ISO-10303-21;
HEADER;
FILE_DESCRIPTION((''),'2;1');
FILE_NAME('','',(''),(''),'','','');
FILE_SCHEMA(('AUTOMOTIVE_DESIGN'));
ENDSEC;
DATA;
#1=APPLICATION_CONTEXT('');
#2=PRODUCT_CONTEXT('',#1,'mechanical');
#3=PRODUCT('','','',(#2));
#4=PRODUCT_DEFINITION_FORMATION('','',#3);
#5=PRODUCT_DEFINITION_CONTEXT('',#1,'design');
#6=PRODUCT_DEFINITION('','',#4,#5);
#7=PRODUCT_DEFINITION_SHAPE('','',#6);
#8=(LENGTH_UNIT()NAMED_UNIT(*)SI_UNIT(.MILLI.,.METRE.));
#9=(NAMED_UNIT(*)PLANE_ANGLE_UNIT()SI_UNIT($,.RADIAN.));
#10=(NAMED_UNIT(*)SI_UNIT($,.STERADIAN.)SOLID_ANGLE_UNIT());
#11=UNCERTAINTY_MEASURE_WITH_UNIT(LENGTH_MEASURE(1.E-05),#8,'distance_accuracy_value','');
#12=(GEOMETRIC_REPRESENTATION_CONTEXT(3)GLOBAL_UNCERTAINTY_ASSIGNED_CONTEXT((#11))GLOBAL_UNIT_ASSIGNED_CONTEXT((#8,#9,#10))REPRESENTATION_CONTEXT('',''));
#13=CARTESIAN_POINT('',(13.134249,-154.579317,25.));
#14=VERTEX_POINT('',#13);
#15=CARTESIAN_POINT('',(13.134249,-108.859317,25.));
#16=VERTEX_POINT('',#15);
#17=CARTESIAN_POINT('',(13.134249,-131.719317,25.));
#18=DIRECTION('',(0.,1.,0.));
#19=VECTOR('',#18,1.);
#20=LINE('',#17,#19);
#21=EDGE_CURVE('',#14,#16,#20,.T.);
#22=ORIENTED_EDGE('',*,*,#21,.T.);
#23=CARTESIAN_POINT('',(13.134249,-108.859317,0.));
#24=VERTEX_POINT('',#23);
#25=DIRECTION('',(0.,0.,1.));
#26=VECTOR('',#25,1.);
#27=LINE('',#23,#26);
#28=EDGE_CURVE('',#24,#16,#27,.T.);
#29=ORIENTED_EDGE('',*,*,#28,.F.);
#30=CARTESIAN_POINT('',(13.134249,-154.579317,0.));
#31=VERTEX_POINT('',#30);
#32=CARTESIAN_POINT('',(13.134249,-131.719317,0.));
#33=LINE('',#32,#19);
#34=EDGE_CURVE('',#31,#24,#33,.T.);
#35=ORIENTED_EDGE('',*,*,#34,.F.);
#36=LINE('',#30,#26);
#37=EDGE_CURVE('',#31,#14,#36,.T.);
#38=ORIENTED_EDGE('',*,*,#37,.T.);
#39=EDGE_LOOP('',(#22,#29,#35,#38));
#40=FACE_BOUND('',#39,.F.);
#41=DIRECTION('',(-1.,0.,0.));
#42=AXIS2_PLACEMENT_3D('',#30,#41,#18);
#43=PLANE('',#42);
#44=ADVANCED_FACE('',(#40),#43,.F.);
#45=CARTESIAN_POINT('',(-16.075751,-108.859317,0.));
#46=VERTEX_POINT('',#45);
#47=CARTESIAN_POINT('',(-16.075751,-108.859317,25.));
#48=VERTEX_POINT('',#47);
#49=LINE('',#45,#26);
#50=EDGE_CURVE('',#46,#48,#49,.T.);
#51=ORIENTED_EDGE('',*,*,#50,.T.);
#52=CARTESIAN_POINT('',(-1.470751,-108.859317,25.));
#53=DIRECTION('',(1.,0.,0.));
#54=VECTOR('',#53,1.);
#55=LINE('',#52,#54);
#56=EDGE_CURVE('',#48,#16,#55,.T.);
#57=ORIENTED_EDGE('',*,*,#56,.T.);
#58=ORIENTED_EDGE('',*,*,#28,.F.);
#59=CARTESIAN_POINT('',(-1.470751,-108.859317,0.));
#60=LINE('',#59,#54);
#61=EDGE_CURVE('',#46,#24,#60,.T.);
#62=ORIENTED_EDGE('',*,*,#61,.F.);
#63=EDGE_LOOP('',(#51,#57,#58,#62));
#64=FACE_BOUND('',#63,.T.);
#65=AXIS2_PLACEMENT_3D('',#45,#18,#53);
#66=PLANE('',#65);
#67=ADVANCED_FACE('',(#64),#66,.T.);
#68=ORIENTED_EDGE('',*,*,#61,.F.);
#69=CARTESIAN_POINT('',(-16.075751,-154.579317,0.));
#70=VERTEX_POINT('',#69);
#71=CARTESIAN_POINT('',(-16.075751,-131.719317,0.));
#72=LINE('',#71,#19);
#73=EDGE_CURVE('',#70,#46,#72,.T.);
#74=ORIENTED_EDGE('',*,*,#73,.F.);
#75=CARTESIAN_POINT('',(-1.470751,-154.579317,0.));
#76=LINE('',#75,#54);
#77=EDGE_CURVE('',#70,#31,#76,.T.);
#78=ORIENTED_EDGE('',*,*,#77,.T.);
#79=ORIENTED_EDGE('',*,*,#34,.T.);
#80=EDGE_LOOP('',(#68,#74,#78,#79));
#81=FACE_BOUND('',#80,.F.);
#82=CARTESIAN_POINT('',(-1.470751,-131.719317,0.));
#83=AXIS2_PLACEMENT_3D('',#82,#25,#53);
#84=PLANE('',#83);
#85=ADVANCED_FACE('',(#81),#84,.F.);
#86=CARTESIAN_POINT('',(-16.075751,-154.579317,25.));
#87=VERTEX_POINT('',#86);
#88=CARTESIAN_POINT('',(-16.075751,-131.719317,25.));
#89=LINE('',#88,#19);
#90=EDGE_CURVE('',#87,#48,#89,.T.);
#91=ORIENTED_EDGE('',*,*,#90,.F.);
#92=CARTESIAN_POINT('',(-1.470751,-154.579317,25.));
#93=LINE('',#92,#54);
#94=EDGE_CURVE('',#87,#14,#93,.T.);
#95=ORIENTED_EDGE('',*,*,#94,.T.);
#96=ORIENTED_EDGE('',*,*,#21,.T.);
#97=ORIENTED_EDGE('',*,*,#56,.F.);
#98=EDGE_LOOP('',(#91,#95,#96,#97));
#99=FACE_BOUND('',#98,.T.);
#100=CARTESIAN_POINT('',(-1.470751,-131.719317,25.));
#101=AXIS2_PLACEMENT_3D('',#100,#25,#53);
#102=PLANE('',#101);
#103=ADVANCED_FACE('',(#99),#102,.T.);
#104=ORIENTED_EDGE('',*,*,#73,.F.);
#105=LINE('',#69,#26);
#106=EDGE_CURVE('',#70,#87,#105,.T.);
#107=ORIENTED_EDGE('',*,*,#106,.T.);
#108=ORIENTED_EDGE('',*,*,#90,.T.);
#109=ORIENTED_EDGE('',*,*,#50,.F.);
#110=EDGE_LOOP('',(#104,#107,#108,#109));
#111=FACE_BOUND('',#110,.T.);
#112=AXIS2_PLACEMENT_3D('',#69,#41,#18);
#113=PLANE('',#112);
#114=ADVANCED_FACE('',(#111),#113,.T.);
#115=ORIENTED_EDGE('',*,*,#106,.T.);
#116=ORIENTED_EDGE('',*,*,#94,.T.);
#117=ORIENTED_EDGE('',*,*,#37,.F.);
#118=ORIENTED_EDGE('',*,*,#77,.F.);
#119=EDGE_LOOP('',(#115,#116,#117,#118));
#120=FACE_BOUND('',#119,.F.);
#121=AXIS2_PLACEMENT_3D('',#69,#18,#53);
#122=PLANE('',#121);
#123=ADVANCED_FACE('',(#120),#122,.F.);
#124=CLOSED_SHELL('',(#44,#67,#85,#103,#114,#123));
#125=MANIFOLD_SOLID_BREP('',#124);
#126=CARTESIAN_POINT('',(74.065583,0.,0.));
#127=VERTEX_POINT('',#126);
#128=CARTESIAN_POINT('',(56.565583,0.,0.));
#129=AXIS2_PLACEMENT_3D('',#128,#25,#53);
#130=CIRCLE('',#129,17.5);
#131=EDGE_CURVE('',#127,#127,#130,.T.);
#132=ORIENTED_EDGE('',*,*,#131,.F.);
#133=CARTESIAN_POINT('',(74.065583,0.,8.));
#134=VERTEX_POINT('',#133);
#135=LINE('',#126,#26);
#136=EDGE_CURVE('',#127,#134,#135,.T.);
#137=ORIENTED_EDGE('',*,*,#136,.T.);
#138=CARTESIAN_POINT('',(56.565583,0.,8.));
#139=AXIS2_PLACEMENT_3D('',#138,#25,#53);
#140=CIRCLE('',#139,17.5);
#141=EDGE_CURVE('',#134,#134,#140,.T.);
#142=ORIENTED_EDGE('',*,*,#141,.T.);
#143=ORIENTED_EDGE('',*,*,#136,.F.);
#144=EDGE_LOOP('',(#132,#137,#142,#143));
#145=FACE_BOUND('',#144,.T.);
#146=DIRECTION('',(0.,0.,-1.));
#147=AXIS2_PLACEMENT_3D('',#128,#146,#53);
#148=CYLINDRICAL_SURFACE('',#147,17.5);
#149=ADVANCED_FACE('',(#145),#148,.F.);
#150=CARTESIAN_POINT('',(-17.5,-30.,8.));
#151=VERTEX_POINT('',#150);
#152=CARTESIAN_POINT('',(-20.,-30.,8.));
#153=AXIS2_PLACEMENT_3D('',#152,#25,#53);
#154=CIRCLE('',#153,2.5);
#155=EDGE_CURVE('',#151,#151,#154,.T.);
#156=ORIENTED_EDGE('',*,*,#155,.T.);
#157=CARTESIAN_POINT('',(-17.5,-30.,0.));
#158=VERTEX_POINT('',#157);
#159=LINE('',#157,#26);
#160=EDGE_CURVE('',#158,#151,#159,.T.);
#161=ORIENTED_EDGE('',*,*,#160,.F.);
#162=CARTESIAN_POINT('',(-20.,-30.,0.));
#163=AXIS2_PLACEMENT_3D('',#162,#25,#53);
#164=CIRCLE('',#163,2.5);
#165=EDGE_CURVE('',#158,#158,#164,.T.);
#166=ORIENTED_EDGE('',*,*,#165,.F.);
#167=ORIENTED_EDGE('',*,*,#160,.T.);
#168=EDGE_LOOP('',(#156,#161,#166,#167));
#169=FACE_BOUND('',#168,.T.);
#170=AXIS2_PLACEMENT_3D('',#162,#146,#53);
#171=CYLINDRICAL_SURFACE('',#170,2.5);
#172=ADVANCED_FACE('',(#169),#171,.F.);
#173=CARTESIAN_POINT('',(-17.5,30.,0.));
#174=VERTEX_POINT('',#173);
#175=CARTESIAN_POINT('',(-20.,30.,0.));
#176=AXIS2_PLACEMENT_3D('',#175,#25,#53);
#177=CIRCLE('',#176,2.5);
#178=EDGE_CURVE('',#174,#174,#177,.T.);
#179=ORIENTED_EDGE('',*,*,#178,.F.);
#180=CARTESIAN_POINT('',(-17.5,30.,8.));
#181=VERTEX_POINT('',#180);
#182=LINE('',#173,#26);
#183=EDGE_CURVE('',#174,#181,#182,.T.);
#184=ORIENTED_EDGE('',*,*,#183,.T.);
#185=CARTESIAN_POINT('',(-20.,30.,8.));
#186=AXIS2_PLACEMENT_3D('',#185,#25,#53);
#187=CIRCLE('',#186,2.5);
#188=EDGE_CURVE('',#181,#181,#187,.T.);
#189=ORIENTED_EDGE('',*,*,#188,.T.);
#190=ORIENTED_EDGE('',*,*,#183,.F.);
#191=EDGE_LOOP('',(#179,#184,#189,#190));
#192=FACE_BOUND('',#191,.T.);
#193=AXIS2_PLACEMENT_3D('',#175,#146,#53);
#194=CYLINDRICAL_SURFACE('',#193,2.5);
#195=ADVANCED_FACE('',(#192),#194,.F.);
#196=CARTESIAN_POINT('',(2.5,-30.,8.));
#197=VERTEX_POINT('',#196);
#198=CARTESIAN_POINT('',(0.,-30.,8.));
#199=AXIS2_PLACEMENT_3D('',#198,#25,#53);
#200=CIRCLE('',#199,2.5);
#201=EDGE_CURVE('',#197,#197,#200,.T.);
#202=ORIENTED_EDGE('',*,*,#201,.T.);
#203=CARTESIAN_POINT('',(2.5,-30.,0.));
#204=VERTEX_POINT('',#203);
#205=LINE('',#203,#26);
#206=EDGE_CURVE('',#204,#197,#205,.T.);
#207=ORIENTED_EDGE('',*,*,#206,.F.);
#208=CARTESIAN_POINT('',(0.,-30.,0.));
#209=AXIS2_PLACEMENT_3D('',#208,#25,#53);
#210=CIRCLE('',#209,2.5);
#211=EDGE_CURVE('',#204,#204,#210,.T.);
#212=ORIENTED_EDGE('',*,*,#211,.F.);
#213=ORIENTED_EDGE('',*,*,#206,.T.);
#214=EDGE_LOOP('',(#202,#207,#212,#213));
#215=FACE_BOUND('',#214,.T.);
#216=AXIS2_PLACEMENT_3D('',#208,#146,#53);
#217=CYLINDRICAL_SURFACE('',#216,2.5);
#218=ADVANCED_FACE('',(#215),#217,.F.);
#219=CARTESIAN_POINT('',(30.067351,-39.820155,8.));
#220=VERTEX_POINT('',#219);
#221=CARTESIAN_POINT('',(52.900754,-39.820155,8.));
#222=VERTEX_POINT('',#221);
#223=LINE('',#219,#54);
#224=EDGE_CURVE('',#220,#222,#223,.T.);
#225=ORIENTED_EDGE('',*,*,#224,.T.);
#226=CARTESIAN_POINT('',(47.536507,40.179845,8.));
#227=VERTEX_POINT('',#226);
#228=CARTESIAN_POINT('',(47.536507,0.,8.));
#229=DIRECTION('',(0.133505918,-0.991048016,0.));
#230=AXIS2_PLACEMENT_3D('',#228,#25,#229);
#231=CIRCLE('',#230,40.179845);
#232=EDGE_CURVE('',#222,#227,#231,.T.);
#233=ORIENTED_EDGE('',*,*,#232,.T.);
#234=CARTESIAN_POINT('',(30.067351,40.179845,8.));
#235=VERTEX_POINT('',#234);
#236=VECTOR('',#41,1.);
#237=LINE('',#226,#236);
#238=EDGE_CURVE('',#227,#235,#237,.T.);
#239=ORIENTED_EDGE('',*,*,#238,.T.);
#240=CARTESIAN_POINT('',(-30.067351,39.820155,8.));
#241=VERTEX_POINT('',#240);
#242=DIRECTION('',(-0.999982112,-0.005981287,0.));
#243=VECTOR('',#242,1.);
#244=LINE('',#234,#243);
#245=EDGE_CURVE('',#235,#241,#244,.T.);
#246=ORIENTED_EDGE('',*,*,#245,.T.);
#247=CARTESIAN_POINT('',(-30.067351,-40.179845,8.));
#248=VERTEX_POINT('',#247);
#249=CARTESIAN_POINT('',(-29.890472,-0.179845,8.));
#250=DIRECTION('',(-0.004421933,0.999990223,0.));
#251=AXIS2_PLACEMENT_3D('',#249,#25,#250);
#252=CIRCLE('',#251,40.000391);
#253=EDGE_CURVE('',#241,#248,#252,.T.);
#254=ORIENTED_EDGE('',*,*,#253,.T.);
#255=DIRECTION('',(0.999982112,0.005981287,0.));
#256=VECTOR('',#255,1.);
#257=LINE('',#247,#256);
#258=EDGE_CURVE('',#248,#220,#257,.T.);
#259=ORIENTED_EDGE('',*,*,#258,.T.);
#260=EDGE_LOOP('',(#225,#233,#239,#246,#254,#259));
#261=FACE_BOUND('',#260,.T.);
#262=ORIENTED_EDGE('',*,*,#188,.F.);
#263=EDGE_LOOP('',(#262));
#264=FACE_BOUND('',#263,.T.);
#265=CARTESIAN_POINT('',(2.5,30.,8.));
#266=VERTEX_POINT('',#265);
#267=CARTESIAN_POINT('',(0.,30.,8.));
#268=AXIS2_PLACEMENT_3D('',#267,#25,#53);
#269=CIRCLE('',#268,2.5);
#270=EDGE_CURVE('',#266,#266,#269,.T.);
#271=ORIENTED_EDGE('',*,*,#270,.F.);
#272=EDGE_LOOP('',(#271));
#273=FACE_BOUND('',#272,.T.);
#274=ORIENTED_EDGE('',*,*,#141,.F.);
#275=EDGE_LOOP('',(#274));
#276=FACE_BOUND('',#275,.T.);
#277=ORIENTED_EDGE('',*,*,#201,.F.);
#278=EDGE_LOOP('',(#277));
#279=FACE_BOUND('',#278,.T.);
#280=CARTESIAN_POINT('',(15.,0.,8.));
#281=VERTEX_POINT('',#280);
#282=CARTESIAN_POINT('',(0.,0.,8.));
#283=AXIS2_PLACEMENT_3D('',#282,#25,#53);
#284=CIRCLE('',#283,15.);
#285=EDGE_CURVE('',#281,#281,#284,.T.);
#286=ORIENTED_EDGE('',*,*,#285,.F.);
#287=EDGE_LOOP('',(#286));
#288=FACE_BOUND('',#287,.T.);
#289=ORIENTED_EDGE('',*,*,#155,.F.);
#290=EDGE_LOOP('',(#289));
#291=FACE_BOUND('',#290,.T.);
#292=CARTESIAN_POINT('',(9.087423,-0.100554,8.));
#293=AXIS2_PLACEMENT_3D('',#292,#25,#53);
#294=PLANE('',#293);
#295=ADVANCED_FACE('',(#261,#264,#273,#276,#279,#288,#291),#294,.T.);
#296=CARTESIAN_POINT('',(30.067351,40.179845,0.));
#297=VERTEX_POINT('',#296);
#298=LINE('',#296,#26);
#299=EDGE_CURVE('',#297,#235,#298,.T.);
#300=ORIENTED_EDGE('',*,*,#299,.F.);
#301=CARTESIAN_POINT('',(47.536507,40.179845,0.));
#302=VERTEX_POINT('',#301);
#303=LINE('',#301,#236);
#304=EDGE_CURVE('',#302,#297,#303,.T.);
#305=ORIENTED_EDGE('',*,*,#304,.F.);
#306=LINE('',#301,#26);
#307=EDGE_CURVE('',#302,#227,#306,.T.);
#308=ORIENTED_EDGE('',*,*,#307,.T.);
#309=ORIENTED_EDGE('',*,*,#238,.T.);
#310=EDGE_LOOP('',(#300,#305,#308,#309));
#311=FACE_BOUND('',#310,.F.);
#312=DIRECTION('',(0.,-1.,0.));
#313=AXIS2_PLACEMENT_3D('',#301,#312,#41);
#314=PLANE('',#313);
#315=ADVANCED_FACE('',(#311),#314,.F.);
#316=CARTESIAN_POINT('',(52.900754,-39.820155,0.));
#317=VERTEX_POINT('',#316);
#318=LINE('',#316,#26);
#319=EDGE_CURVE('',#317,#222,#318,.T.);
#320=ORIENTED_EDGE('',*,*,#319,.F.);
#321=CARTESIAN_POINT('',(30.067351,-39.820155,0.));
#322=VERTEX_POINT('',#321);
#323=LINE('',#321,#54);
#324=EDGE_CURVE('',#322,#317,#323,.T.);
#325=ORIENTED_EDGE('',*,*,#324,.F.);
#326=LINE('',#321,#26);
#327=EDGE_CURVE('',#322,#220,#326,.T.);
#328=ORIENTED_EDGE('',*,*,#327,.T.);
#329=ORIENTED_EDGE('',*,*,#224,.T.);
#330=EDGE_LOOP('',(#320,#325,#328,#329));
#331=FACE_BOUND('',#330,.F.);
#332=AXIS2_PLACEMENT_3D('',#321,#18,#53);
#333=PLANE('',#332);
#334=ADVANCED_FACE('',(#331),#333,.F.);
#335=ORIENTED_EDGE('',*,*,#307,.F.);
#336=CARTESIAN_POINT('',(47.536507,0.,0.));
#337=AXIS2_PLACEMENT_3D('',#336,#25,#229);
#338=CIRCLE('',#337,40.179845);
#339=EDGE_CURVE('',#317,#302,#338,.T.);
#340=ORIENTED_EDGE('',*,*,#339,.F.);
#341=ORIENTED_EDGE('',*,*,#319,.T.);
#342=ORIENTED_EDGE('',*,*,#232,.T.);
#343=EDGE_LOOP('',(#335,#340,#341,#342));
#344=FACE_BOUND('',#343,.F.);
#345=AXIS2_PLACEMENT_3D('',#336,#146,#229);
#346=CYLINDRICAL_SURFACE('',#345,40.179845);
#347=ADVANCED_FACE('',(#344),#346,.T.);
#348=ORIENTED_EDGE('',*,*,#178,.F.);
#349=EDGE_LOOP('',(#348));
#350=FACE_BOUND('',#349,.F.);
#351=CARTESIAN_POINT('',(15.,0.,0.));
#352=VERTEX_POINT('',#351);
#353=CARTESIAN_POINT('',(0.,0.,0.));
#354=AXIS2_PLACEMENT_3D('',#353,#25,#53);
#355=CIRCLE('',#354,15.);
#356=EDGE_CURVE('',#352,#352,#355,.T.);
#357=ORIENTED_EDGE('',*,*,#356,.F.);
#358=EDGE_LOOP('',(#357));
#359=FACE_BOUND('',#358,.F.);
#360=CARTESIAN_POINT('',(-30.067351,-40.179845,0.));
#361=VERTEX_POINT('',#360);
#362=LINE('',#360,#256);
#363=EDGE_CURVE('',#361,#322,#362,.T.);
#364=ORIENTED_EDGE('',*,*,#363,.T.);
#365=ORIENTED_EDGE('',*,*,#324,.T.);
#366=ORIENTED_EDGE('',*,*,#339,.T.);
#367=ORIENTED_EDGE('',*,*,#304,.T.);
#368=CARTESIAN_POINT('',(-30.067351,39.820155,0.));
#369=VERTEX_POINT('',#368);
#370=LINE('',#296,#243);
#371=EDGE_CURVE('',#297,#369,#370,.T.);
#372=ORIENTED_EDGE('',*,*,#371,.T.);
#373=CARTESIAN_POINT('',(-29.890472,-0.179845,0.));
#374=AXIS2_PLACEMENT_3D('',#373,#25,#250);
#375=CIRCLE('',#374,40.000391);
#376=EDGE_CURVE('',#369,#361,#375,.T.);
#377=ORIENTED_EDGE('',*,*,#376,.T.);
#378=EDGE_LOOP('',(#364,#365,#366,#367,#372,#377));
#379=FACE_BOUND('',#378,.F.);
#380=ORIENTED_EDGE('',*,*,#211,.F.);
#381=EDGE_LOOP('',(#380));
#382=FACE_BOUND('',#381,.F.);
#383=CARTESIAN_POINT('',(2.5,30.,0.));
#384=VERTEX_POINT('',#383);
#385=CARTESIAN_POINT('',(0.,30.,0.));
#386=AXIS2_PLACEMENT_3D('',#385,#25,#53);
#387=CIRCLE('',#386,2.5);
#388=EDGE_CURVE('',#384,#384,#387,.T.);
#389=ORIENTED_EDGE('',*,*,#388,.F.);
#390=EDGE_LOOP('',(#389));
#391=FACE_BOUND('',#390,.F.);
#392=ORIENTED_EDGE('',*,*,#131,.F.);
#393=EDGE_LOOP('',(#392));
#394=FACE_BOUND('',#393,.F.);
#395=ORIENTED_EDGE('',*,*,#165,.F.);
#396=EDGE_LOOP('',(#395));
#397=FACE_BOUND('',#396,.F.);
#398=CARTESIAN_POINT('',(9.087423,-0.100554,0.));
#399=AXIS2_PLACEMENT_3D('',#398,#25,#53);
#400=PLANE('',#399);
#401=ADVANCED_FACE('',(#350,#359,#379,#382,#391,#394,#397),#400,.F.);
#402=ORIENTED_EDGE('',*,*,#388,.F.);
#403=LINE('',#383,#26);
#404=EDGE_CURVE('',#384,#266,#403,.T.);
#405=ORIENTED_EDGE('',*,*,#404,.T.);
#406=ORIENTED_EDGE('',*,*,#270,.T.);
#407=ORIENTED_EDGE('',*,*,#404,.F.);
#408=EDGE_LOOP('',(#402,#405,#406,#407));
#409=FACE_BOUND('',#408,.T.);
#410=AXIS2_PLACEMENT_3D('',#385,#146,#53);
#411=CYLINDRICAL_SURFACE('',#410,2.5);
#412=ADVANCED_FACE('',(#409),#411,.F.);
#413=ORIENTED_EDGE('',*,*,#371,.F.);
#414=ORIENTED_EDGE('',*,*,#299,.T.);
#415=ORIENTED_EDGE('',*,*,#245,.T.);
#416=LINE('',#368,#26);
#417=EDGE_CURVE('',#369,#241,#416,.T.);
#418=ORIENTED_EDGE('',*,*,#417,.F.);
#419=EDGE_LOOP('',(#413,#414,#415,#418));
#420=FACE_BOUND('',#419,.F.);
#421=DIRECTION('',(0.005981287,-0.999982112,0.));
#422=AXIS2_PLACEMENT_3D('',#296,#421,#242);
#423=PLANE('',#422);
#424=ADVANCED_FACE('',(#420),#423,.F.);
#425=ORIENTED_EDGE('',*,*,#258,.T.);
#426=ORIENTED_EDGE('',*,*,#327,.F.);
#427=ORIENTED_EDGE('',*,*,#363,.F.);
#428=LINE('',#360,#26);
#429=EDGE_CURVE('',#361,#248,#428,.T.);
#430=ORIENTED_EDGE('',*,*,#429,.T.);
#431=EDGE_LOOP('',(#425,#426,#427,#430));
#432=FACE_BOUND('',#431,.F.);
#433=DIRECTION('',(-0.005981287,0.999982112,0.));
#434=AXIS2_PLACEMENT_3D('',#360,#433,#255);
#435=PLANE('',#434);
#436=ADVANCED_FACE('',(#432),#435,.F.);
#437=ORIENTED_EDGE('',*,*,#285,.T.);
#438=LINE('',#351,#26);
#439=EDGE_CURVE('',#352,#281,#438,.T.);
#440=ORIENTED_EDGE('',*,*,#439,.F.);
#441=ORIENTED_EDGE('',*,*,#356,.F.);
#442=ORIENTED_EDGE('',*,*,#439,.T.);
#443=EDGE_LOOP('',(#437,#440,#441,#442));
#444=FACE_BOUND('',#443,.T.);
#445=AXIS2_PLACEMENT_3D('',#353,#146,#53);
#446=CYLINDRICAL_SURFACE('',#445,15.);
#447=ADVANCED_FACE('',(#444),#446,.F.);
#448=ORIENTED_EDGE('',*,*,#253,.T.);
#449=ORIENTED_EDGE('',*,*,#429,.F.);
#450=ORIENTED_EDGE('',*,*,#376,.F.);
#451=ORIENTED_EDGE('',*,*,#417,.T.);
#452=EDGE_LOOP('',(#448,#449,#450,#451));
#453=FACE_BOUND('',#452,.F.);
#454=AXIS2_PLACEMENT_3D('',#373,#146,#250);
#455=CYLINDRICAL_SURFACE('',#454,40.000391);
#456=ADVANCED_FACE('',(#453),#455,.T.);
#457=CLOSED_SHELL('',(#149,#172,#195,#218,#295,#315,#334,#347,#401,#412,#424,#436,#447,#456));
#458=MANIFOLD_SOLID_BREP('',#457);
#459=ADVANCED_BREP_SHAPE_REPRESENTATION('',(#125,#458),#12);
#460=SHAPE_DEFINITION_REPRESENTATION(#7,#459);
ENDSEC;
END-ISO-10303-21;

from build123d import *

# Parameters (mm, degrees)
F0_R     = 2.5
F0_R_2   = 15
F0_R_3   = 17.5
F1_DEPTH = 8
F2_W     = 29.21
F2_H     = 45.72
F3_DEPTH = 25


with BuildPart() as f1:
    # F0 (on Top) → F1 (new body)
    with BuildSketch(Plane.XY):
        with BuildLine():
            Line((47.5365072489, 40.1798446656), (30.0673510397, 40.1798446656))
            Line((30.0673510397, 40.1798446656), (-30.0673510397, 39.8201553344))
            ThreePointArc((-30.0673510397, 39.8201553344), (-69.8908630641, -0.1798446656), (-30.0673510397, -40.1798446656))
            Line((-30.0673510397, -40.1798446656), (30.0673510397, -39.8201553344))
            Line((30.0673510397, -39.8201553344), (52.9007543066, -39.8201553344))
            ThreePointArc((52.9007543066, -39.8201553344), (87.6263287329, 2.6881463368), (47.5365072489, 40.1798446656))
        make_face()
        with BuildLine():
            Line((-30.158165083, 34.819522698), (30.0823043903, 35.1798446656))
            Line((30.0823043903, 35.1798446656), (47.5365072489, 35.1798446656))
            ThreePointArc((47.5365072489, 35.1798446656), (82.7163519145, 0), (47.5365072489, -35.1798446656))
            Line((47.5365072489, -35.1798446656), (-29.8931489636, -35.1802356388))
            ThreePointArc((-29.8931489636, -35.1802356388), (-64.8906122282, -0.3123537137), (-30.158165083, 34.819522698))
        make_face(mode=Mode.SUBTRACT)
        with BuildLine():
            Line((47.5365072489, 35.1798446656), (30.0823043903, 35.1798446656))
            Line((30.0823043903, 35.1798446656), (-30.158165083, 34.819522698))
            ThreePointArc((-30.158165083, 34.819522698), (-64.8906122282, -0.3123537137), (-29.8931489636, -35.1802356388))
            Line((-29.8931489636, -35.1802356388), (47.5365072489, -35.1798446656))
            ThreePointArc((47.5365072489, -35.1798446656), (82.7163519145, 0), (47.5365072489, 35.1798446656))
        make_face()
        with Locations((-20, -30)):
            Circle(F0_R, mode=Mode.SUBTRACT)
        with Locations((0, -30)):
            Circle(F0_R, mode=Mode.SUBTRACT)
        Circle(F0_R_2, mode=Mode.SUBTRACT)
        with Locations((56.5655827522, 0)):
            Circle(F0_R_3, mode=Mode.SUBTRACT)
        with Locations((-20, 30)):
            Circle(F0_R, mode=Mode.SUBTRACT)
        with Locations((0, 30)):
            Circle(F0_R, mode=Mode.SUBTRACT)
    extrude(amount=F1_DEPTH)


with BuildPart() as f3:
    # F2 (on Top) → F3 (new body)
    with BuildSketch(Plane.XY):
        with Locations((-1.4707511291, -131.7193172872)):
            Rectangle(F2_W, F2_H)
    extrude(amount=F3_DEPTH)


solid = Compound([f1.part, f3.part])
